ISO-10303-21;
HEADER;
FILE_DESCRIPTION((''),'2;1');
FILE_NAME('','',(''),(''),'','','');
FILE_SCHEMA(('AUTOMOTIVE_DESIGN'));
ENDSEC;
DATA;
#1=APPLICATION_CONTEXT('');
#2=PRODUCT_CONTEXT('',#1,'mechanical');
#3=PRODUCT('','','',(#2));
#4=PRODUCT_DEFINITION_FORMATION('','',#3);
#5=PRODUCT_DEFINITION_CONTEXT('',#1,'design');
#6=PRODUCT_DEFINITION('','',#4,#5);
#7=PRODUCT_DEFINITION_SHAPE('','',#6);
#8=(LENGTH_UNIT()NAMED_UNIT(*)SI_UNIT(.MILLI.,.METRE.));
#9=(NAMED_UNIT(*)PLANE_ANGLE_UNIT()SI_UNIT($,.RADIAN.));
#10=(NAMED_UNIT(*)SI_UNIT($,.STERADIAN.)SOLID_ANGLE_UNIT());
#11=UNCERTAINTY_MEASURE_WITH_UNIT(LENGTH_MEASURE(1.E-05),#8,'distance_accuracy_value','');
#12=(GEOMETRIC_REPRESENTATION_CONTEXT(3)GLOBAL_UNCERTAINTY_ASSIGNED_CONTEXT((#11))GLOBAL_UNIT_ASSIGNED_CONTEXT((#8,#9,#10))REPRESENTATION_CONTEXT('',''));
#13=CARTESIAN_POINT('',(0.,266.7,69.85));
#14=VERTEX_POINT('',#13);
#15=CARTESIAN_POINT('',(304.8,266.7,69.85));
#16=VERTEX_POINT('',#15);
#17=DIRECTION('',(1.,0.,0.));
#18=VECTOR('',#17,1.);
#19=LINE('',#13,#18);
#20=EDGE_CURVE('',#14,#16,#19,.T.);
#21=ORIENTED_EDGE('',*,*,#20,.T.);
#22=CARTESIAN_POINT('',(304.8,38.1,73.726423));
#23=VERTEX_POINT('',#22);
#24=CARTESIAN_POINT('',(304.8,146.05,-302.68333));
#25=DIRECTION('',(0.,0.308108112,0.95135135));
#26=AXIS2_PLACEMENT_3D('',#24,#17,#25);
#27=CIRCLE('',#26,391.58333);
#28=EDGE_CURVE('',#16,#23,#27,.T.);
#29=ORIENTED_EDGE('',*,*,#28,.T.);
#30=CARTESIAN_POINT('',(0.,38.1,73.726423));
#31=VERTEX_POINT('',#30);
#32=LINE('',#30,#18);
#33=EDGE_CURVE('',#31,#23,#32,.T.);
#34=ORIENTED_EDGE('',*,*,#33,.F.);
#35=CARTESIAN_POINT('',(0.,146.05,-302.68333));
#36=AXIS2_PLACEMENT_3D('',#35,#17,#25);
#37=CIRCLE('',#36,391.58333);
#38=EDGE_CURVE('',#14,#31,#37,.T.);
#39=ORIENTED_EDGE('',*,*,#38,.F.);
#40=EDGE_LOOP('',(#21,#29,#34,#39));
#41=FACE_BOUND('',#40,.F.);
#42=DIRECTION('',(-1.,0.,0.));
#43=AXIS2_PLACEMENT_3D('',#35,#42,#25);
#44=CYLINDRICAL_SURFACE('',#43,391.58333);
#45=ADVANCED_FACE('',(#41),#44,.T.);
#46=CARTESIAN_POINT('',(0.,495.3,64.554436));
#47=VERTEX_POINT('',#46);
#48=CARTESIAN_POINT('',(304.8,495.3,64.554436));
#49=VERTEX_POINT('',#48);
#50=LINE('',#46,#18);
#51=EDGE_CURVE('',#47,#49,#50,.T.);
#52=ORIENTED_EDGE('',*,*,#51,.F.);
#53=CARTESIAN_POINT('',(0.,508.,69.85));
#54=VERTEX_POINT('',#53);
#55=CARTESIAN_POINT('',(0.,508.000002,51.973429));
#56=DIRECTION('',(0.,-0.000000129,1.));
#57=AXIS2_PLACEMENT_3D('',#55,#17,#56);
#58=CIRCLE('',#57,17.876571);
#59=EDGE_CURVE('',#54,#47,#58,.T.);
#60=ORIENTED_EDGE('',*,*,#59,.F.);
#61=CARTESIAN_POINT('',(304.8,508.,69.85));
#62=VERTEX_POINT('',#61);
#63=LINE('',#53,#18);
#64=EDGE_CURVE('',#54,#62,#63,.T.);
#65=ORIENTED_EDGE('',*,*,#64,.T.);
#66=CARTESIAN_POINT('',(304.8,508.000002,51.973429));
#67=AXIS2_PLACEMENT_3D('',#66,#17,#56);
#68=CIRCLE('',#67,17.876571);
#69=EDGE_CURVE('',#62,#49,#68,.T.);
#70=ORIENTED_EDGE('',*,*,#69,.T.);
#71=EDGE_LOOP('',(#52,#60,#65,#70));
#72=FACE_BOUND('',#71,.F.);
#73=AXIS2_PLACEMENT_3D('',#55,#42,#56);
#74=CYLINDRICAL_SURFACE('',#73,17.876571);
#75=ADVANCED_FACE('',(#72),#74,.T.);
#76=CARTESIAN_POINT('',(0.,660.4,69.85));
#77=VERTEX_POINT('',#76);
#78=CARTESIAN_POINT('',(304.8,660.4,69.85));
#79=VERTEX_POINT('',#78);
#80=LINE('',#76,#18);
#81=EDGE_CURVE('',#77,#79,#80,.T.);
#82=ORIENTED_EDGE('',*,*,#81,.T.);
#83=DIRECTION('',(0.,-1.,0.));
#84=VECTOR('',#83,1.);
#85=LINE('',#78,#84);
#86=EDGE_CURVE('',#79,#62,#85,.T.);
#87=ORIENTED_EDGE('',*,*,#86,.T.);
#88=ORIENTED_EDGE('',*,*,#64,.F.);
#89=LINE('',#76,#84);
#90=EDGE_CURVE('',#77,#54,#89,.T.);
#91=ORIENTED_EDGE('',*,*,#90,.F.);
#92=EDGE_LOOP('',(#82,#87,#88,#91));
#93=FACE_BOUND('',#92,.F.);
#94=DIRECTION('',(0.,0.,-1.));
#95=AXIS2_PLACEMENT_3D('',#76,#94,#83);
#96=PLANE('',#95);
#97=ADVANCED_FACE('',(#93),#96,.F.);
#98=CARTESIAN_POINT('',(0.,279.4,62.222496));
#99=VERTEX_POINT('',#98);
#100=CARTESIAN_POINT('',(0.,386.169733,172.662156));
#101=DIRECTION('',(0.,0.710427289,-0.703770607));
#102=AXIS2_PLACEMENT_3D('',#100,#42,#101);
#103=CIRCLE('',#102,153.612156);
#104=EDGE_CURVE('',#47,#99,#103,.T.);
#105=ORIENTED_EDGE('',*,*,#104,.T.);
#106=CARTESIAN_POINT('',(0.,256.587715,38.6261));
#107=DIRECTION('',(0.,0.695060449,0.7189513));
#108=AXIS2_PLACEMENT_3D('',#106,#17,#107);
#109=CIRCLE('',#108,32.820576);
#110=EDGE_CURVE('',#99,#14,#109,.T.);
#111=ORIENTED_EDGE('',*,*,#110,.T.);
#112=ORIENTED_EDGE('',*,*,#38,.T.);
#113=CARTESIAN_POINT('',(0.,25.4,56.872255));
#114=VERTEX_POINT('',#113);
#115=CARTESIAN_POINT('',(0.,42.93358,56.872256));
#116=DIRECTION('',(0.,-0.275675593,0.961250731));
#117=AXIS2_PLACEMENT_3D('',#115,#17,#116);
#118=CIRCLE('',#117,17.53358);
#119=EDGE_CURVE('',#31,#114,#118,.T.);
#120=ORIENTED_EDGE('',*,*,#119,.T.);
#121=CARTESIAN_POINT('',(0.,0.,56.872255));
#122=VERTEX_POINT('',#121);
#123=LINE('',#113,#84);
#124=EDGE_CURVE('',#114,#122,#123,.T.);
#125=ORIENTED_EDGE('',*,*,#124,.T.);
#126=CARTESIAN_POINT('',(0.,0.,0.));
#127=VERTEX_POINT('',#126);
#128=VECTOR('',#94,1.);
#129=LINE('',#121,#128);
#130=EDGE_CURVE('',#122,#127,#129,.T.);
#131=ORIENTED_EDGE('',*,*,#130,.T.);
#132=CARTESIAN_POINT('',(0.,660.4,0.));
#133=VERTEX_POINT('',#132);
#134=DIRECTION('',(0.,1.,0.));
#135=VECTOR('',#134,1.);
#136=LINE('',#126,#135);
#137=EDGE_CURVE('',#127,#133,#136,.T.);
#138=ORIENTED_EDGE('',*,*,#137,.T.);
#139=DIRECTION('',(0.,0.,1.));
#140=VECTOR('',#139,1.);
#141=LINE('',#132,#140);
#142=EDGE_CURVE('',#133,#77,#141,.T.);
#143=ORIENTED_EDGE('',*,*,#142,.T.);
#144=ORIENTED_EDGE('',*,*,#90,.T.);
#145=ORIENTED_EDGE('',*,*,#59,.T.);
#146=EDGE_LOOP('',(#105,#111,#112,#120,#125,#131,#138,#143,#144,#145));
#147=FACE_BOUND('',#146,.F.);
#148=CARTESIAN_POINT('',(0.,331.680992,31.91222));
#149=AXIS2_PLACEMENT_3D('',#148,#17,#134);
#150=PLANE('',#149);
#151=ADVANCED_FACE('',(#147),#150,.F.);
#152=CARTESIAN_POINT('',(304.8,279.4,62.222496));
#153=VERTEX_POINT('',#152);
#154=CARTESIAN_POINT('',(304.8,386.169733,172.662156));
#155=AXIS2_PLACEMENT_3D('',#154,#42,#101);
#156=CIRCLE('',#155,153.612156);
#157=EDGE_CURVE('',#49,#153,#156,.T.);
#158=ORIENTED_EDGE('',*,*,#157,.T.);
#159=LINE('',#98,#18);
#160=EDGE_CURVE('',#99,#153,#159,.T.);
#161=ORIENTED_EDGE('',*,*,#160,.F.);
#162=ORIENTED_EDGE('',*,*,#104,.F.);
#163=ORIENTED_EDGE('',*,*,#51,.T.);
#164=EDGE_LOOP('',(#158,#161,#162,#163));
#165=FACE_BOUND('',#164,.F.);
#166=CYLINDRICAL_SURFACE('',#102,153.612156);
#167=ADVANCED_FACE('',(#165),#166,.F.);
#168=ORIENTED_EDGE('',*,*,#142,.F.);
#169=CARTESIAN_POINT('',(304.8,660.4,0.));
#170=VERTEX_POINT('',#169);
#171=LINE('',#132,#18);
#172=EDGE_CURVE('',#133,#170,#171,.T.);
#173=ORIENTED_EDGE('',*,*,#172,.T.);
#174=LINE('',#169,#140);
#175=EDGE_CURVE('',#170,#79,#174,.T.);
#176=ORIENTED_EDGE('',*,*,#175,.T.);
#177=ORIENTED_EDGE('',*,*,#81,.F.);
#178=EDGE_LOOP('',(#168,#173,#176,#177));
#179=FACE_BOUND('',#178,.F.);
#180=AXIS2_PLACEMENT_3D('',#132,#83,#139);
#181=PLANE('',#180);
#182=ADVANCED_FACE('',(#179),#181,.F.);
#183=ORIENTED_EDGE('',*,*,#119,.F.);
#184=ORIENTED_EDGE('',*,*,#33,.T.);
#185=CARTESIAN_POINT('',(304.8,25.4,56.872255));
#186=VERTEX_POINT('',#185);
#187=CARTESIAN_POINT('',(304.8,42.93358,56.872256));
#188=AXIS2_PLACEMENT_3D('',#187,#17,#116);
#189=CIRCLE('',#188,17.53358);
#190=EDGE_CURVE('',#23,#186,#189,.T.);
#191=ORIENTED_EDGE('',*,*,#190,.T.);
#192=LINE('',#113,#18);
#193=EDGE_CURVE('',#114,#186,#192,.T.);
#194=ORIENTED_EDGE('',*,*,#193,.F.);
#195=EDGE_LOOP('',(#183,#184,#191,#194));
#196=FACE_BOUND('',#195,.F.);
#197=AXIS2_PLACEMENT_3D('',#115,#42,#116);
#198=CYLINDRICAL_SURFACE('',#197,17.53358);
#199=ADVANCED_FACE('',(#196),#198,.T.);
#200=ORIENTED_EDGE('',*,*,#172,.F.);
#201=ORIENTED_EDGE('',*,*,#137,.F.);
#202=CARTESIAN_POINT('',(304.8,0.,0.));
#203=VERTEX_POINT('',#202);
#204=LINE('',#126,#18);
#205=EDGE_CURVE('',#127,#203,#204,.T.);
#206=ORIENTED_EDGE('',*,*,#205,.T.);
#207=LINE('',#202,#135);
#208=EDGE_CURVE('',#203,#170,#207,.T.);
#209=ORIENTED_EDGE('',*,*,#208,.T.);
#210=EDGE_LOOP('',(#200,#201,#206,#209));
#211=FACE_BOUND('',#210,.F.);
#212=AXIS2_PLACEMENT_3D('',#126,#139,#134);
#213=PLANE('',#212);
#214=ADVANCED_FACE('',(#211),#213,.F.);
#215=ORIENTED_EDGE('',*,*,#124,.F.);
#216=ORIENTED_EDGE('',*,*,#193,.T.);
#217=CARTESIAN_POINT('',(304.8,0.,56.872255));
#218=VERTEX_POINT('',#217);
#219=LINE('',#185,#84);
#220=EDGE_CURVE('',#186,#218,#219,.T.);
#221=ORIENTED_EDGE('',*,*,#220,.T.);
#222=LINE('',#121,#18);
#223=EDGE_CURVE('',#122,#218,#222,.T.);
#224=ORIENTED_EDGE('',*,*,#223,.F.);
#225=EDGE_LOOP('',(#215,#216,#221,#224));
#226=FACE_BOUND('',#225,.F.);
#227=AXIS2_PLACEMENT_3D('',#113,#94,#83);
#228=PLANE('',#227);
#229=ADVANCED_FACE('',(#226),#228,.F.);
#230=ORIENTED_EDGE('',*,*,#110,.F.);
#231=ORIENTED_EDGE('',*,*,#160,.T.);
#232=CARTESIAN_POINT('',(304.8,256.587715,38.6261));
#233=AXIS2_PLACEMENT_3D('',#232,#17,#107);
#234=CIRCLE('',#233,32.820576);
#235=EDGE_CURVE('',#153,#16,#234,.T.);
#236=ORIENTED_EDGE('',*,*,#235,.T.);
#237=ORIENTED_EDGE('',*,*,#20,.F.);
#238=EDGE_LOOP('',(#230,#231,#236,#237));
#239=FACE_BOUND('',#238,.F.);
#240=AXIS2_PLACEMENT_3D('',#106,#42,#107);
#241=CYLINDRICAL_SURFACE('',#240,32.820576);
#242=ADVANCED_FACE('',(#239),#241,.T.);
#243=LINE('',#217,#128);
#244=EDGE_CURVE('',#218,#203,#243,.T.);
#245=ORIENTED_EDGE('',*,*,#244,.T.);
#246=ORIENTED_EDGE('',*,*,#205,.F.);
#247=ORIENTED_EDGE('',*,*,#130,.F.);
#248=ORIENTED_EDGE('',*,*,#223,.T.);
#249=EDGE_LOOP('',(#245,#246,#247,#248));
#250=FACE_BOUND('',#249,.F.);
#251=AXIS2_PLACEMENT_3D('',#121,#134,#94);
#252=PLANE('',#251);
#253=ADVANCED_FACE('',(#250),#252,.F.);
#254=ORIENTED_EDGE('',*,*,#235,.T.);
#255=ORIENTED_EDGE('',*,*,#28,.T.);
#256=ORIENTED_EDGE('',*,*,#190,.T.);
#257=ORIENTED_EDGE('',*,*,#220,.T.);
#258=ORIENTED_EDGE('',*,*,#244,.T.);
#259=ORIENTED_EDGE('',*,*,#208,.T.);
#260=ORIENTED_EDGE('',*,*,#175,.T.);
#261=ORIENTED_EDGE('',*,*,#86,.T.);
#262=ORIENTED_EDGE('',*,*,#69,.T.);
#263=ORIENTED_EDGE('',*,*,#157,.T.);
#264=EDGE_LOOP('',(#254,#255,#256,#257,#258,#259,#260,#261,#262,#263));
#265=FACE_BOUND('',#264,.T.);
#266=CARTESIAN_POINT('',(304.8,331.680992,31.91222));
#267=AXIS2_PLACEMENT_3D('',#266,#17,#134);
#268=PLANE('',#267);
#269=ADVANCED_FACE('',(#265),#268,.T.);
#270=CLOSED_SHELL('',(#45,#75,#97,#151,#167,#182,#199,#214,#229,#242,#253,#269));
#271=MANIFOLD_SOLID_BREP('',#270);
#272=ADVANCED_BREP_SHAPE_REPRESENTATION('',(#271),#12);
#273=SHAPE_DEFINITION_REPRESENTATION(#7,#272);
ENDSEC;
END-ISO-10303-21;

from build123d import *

# Parameters (mm, degrees)
F1_DEPTH = 304.8


with BuildPart() as f1:
    # F0 (on Right) → F1 (new body)
    with BuildSketch(Plane.YZ):
        with BuildLine():
            Line((0, 0), (25.4, 0))
            Line((25.4, 0), (635, 0))
            Line((635, 0), (660.4, 0))
            Line((660.4, 0), (660.4, 69.85))
            Line((660.4, 69.85), (635, 69.85))
            Line((635, 69.85), (508, 69.85))
            ThreePointArc((508, 69.85), (501.120084, 68.473081), (495.3, 64.554436))
            ThreePointArc((495.3, 64.554436), (387.828804, 19.05896), (279.4, 62.222496))
            ThreePointArc((279.4, 62.222496), (273.485985, 66.762175), (266.7, 69.85))
            ThreePointArc((266.7, 69.85), (152.689214, 88.843713), (38.1, 73.726423))
            ThreePointArc((38.1, 73.726423), (28.93043, 67.423949), (25.4, 56.872255))
            Line((25.4, 56.872255), (0, 56.872255))
            Line((0, 56.872255), (0, 0))
        make_face()
    extrude(amount=F1_DEPTH)


solid = f1.part
